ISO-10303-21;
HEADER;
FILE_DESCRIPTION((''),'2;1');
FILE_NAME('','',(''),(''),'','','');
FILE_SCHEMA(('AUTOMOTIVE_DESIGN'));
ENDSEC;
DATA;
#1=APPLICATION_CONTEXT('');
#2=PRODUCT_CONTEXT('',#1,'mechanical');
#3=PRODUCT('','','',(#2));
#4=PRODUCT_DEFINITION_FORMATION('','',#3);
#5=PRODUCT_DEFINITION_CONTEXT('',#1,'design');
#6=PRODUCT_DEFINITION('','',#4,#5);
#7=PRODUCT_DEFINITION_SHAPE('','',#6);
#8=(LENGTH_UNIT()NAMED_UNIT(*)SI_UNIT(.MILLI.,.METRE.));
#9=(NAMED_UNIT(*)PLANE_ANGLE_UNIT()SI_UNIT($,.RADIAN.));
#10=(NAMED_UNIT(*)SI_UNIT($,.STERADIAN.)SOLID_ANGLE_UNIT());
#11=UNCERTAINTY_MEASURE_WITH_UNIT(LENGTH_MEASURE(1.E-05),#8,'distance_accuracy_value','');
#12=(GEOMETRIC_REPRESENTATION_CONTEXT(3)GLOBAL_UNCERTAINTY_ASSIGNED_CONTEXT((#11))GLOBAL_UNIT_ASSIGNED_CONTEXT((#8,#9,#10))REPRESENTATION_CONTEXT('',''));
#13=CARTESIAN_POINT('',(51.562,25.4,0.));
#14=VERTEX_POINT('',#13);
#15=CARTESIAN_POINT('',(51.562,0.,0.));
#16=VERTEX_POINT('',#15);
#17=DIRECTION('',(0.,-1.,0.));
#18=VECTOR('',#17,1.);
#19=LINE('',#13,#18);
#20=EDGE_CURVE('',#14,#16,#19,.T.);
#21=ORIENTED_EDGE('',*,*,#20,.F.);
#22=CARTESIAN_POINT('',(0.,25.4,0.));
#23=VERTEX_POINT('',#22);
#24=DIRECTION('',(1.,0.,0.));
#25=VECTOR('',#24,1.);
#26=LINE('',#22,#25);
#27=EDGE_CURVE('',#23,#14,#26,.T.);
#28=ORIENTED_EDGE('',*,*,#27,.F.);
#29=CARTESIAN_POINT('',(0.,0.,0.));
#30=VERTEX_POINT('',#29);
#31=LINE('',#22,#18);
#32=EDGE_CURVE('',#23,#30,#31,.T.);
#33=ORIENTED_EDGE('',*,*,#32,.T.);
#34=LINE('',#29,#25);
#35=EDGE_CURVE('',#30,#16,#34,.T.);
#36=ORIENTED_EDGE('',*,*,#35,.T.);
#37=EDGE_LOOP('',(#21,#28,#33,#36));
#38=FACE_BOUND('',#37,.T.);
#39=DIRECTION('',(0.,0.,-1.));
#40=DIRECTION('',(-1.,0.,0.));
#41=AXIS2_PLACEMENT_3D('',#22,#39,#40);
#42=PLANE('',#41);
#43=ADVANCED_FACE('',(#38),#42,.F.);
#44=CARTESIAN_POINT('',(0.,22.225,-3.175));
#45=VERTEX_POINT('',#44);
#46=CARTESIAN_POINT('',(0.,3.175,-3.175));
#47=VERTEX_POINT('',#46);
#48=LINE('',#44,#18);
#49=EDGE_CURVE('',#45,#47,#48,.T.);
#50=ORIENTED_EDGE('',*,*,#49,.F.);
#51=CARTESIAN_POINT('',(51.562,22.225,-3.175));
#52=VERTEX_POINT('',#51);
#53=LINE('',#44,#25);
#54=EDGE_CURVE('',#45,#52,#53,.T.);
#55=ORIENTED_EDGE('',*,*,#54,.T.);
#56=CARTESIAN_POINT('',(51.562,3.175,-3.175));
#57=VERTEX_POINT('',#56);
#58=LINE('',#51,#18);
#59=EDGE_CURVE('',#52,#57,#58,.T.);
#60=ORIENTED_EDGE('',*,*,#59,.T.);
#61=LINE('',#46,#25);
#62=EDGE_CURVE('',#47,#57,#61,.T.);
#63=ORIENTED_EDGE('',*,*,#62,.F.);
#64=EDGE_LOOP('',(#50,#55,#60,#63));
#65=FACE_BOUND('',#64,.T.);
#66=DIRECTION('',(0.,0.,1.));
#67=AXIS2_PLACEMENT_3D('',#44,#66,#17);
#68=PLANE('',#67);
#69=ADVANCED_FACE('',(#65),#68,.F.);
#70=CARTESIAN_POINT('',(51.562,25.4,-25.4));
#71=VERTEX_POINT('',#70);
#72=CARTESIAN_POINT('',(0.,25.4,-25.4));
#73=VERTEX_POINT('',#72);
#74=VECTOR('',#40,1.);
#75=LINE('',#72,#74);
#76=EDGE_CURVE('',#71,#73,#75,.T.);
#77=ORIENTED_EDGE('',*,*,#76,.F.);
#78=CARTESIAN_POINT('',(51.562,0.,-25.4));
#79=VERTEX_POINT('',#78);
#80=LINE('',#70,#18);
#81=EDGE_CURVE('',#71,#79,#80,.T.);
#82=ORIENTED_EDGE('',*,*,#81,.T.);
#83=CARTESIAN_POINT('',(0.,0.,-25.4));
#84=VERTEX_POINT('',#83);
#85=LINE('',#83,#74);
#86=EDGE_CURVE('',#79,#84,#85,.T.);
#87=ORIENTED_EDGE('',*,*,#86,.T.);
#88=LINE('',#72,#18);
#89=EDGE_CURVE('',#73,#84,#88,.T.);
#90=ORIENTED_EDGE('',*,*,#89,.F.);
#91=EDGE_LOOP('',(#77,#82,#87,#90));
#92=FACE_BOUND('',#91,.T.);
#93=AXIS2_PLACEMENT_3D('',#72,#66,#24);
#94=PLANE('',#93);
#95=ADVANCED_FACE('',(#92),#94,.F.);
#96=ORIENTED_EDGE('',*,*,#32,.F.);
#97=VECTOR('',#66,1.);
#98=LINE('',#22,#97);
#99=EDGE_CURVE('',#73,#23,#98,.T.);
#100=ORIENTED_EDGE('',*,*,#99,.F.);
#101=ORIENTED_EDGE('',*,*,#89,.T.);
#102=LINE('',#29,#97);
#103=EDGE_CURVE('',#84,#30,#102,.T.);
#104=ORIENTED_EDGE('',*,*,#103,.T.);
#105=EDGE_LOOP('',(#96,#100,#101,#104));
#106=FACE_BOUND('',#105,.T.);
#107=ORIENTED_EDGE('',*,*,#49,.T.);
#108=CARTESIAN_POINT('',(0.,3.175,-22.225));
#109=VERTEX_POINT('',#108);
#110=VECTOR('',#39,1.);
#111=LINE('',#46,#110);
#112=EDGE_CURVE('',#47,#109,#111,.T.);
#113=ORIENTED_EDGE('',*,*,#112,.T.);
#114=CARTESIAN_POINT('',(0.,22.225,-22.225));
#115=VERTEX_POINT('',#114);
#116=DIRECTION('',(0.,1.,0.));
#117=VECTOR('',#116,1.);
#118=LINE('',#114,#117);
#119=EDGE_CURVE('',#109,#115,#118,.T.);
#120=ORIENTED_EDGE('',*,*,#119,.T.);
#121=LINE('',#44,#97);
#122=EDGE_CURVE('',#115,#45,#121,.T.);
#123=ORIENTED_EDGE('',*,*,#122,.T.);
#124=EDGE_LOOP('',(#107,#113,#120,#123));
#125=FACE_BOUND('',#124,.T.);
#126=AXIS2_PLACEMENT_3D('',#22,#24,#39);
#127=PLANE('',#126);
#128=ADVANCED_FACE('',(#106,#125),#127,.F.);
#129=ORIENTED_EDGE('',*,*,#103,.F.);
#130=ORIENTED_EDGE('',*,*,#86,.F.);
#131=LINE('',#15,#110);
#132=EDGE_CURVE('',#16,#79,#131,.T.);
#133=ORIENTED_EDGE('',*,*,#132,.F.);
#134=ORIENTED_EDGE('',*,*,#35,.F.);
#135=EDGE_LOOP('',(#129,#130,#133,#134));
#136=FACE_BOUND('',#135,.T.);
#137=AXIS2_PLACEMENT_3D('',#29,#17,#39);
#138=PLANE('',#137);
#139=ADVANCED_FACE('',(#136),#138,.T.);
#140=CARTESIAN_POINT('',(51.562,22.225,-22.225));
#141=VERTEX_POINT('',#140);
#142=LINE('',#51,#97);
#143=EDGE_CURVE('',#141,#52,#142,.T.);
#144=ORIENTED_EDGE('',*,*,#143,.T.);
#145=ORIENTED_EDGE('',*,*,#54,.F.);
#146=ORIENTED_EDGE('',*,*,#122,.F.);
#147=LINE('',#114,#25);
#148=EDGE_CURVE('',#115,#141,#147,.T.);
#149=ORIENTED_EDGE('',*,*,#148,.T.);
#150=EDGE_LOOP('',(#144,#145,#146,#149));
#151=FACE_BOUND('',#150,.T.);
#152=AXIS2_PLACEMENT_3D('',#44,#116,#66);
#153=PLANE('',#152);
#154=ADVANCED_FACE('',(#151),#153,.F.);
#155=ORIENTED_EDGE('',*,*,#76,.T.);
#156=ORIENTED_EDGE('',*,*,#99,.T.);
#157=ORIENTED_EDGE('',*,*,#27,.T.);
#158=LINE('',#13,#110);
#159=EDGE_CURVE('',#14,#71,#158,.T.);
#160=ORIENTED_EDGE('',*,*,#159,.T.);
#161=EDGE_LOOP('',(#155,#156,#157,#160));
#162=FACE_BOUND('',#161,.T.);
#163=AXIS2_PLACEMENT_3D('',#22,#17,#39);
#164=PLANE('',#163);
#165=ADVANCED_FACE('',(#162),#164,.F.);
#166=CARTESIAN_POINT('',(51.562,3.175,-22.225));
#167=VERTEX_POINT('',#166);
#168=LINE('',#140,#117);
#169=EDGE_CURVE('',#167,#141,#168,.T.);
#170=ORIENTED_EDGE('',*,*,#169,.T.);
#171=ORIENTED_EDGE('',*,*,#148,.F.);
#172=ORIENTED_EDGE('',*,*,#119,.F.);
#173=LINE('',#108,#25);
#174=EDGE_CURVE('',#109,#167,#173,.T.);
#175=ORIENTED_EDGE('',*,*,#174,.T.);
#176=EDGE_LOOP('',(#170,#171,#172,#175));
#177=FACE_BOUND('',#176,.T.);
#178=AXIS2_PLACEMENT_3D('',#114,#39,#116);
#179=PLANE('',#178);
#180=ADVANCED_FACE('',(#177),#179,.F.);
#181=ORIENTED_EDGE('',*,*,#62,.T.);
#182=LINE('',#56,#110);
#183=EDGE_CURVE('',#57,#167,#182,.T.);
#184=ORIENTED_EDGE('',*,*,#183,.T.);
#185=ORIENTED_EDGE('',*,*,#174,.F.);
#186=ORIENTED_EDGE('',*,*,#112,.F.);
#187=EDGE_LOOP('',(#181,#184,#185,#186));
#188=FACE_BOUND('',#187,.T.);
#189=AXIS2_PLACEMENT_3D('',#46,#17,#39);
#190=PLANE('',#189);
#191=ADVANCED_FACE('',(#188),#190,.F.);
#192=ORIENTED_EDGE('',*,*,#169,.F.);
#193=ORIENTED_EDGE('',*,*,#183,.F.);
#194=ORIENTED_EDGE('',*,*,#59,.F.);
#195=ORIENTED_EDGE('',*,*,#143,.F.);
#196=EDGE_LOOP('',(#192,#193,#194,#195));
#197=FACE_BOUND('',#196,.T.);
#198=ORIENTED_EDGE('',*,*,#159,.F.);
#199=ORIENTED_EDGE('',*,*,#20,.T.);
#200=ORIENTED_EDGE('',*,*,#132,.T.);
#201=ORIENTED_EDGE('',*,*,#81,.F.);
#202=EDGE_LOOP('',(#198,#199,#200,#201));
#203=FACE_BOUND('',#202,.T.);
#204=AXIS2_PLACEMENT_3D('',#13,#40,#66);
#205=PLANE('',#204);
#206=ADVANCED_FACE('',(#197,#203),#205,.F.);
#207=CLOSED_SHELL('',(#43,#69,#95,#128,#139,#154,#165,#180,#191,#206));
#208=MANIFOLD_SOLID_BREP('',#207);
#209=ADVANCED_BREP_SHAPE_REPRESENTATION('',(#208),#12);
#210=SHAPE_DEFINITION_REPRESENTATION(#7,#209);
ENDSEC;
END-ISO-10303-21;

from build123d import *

# Parameters (mm, degrees)
SKETCH1_W           = 51.562
SKETCH1_H           = 25.4
BOSS_EXTRUDE1_DEPTH = 25.4
SKETCH2_W           = 19.05
SKETCH2_H           = 19.05
CUT_EXTRUDE1_DEPTH  = 63.840749868


with BuildPart() as part:
    # Sketch1 → Boss-Extrude1 (new body)
    with BuildSketch(Plane(origin=(0, 0, 0), x_dir=(1, 0, 0), z_dir=(0, 1, 0))):
        with Locations((25.781, 12.7)):
            Rectangle(SKETCH1_W, SKETCH1_H)
    extrude(amount=BOSS_EXTRUDE1_DEPTH)

    # Sketch2 → Cut-Extrude1 (cut, through all)
    with BuildSketch(Plane(origin=(51.562, 0, 0), x_dir=(0, 0, -1), z_dir=(1, 0, 0))):
        with Locations((12.7, 12.7)):
            Rectangle(SKETCH2_W, SKETCH2_H)
    extrude(amount=-CUT_EXTRUDE1_DEPTH, mode=Mode.SUBTRACT)


solid = part.part
